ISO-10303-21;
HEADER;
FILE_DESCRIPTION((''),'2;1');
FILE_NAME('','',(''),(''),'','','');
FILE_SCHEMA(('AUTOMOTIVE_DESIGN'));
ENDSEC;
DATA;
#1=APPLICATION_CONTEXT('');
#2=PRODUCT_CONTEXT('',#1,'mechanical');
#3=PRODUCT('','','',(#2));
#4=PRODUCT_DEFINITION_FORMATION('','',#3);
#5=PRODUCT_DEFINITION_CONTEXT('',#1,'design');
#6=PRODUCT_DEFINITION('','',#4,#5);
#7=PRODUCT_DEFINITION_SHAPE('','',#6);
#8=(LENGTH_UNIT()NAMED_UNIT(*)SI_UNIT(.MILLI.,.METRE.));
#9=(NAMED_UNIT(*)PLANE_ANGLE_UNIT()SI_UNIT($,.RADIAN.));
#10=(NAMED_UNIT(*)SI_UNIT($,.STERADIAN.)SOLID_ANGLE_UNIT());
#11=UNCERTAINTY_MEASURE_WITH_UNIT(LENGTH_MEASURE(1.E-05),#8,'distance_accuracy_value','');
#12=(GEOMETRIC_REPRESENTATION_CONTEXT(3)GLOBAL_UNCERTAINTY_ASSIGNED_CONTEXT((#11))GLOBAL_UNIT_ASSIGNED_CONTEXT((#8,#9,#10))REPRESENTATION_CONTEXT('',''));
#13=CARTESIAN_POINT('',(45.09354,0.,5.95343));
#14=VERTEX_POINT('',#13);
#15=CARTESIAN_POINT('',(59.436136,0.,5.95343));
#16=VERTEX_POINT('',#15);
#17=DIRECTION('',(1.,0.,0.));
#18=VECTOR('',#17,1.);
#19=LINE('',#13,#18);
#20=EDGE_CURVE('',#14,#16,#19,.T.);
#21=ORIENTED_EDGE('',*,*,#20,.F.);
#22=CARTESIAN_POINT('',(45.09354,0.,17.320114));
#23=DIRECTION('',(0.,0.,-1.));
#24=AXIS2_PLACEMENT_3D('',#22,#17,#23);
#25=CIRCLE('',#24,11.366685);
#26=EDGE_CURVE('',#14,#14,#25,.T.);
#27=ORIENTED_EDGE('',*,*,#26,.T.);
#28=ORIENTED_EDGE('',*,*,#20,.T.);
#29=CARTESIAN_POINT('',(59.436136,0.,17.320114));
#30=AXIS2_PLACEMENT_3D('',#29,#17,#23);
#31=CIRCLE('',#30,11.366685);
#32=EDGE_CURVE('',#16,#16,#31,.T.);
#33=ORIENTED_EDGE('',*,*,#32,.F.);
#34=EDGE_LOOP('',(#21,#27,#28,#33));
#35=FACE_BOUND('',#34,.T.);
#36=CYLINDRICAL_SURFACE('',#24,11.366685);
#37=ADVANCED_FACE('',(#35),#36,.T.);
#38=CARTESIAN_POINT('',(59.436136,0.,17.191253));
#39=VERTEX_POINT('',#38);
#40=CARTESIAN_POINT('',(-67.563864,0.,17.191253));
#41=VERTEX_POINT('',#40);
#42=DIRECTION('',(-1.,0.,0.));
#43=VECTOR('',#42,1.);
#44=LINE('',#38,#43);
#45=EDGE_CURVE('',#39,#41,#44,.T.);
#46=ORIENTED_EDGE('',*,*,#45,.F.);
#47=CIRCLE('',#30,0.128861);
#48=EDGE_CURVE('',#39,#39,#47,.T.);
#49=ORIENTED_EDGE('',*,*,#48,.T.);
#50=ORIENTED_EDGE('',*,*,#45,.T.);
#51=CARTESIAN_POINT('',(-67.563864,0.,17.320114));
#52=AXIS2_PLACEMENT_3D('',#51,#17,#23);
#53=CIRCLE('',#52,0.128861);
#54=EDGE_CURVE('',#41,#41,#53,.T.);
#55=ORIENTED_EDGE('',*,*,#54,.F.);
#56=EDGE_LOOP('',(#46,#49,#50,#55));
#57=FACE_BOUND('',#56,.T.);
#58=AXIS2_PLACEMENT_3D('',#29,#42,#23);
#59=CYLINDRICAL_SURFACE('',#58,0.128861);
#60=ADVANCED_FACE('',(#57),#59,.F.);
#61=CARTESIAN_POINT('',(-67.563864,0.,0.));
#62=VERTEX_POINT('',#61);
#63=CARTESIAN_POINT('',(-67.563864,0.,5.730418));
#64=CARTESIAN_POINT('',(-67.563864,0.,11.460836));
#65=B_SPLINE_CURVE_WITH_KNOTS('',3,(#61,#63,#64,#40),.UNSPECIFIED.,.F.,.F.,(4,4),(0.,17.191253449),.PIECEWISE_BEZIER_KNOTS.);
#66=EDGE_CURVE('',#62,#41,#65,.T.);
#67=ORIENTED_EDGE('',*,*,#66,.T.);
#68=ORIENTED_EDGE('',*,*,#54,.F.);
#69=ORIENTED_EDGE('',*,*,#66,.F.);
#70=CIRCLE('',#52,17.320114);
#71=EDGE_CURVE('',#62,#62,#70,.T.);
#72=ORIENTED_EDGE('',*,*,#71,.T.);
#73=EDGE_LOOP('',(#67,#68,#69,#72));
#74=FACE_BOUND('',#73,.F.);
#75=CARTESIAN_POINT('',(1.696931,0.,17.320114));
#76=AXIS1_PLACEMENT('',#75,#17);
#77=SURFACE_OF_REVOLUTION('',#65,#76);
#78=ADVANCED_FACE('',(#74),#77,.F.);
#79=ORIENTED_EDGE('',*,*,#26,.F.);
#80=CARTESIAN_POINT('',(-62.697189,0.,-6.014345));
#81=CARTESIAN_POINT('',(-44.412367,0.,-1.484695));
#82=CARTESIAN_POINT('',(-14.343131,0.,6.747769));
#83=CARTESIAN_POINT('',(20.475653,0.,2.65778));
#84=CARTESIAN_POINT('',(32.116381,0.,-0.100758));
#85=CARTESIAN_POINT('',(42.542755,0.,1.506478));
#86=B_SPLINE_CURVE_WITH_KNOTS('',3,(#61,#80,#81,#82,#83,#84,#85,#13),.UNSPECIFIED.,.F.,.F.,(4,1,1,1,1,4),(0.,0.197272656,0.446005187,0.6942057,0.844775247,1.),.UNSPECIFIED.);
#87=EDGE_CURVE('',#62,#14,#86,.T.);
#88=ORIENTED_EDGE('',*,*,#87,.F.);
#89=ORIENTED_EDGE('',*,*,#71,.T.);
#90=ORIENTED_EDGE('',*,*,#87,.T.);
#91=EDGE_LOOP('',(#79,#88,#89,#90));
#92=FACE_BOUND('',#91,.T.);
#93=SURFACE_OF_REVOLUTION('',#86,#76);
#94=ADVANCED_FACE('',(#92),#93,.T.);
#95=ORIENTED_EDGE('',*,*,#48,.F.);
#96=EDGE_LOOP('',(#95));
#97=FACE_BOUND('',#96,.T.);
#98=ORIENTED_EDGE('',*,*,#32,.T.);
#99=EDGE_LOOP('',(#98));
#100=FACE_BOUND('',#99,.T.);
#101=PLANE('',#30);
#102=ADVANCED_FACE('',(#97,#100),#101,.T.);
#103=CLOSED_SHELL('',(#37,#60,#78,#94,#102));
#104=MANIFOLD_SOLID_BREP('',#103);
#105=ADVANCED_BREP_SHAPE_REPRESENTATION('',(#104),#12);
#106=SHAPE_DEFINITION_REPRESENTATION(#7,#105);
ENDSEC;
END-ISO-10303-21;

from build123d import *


with BuildPart() as f1:
    # F0 (on Front) → F1 (revolve)
    with BuildSketch(Plane.XZ):
        with BuildLine():
            add(Edge.make_bspline(
                [(-67.5638636402, 0), (-67.5638636402, 5.7304178164), (-67.5638636402, 11.4608356329), (-67.5638636402, 17.1912534493)],
                knots=[0, 0, 0, 0, 17.1912534493, 17.1912534493, 17.1912534493, 17.1912534493], degree=3))
            add(Edge.make_bspline(
                [(-67.5638636402, 0), (-62.6971894549, -6.0143447767), (-44.4123666534, -1.4846945267), (-14.3431307765, 6.7477690953), (20.4756530236, 2.6577798459), (32.1163805913, -0.1007577767), (42.5427546964, 1.5064780541), (45.0935401973, 5.9534297549)],
                knots=[0, 0, 0, 0, 0.1972726561, 0.446005187, 0.6942056999, 0.8447752473, 1, 1, 1, 1], degree=3))
            Line((45.0935401973, 5.9534297549), (59.4361363598, 5.9534297549))
            Line((59.4361363598, 5.9534297549), (59.4361363598, 17.1912534493))
            Line((59.4361363598, 17.1912534493), (-67.5638636402, 17.1912534493))
        make_face()
    revolve(axis=Axis((1.696931334, 0, 17.3201144555), (1, 0, 0)))


solid = f1.part
